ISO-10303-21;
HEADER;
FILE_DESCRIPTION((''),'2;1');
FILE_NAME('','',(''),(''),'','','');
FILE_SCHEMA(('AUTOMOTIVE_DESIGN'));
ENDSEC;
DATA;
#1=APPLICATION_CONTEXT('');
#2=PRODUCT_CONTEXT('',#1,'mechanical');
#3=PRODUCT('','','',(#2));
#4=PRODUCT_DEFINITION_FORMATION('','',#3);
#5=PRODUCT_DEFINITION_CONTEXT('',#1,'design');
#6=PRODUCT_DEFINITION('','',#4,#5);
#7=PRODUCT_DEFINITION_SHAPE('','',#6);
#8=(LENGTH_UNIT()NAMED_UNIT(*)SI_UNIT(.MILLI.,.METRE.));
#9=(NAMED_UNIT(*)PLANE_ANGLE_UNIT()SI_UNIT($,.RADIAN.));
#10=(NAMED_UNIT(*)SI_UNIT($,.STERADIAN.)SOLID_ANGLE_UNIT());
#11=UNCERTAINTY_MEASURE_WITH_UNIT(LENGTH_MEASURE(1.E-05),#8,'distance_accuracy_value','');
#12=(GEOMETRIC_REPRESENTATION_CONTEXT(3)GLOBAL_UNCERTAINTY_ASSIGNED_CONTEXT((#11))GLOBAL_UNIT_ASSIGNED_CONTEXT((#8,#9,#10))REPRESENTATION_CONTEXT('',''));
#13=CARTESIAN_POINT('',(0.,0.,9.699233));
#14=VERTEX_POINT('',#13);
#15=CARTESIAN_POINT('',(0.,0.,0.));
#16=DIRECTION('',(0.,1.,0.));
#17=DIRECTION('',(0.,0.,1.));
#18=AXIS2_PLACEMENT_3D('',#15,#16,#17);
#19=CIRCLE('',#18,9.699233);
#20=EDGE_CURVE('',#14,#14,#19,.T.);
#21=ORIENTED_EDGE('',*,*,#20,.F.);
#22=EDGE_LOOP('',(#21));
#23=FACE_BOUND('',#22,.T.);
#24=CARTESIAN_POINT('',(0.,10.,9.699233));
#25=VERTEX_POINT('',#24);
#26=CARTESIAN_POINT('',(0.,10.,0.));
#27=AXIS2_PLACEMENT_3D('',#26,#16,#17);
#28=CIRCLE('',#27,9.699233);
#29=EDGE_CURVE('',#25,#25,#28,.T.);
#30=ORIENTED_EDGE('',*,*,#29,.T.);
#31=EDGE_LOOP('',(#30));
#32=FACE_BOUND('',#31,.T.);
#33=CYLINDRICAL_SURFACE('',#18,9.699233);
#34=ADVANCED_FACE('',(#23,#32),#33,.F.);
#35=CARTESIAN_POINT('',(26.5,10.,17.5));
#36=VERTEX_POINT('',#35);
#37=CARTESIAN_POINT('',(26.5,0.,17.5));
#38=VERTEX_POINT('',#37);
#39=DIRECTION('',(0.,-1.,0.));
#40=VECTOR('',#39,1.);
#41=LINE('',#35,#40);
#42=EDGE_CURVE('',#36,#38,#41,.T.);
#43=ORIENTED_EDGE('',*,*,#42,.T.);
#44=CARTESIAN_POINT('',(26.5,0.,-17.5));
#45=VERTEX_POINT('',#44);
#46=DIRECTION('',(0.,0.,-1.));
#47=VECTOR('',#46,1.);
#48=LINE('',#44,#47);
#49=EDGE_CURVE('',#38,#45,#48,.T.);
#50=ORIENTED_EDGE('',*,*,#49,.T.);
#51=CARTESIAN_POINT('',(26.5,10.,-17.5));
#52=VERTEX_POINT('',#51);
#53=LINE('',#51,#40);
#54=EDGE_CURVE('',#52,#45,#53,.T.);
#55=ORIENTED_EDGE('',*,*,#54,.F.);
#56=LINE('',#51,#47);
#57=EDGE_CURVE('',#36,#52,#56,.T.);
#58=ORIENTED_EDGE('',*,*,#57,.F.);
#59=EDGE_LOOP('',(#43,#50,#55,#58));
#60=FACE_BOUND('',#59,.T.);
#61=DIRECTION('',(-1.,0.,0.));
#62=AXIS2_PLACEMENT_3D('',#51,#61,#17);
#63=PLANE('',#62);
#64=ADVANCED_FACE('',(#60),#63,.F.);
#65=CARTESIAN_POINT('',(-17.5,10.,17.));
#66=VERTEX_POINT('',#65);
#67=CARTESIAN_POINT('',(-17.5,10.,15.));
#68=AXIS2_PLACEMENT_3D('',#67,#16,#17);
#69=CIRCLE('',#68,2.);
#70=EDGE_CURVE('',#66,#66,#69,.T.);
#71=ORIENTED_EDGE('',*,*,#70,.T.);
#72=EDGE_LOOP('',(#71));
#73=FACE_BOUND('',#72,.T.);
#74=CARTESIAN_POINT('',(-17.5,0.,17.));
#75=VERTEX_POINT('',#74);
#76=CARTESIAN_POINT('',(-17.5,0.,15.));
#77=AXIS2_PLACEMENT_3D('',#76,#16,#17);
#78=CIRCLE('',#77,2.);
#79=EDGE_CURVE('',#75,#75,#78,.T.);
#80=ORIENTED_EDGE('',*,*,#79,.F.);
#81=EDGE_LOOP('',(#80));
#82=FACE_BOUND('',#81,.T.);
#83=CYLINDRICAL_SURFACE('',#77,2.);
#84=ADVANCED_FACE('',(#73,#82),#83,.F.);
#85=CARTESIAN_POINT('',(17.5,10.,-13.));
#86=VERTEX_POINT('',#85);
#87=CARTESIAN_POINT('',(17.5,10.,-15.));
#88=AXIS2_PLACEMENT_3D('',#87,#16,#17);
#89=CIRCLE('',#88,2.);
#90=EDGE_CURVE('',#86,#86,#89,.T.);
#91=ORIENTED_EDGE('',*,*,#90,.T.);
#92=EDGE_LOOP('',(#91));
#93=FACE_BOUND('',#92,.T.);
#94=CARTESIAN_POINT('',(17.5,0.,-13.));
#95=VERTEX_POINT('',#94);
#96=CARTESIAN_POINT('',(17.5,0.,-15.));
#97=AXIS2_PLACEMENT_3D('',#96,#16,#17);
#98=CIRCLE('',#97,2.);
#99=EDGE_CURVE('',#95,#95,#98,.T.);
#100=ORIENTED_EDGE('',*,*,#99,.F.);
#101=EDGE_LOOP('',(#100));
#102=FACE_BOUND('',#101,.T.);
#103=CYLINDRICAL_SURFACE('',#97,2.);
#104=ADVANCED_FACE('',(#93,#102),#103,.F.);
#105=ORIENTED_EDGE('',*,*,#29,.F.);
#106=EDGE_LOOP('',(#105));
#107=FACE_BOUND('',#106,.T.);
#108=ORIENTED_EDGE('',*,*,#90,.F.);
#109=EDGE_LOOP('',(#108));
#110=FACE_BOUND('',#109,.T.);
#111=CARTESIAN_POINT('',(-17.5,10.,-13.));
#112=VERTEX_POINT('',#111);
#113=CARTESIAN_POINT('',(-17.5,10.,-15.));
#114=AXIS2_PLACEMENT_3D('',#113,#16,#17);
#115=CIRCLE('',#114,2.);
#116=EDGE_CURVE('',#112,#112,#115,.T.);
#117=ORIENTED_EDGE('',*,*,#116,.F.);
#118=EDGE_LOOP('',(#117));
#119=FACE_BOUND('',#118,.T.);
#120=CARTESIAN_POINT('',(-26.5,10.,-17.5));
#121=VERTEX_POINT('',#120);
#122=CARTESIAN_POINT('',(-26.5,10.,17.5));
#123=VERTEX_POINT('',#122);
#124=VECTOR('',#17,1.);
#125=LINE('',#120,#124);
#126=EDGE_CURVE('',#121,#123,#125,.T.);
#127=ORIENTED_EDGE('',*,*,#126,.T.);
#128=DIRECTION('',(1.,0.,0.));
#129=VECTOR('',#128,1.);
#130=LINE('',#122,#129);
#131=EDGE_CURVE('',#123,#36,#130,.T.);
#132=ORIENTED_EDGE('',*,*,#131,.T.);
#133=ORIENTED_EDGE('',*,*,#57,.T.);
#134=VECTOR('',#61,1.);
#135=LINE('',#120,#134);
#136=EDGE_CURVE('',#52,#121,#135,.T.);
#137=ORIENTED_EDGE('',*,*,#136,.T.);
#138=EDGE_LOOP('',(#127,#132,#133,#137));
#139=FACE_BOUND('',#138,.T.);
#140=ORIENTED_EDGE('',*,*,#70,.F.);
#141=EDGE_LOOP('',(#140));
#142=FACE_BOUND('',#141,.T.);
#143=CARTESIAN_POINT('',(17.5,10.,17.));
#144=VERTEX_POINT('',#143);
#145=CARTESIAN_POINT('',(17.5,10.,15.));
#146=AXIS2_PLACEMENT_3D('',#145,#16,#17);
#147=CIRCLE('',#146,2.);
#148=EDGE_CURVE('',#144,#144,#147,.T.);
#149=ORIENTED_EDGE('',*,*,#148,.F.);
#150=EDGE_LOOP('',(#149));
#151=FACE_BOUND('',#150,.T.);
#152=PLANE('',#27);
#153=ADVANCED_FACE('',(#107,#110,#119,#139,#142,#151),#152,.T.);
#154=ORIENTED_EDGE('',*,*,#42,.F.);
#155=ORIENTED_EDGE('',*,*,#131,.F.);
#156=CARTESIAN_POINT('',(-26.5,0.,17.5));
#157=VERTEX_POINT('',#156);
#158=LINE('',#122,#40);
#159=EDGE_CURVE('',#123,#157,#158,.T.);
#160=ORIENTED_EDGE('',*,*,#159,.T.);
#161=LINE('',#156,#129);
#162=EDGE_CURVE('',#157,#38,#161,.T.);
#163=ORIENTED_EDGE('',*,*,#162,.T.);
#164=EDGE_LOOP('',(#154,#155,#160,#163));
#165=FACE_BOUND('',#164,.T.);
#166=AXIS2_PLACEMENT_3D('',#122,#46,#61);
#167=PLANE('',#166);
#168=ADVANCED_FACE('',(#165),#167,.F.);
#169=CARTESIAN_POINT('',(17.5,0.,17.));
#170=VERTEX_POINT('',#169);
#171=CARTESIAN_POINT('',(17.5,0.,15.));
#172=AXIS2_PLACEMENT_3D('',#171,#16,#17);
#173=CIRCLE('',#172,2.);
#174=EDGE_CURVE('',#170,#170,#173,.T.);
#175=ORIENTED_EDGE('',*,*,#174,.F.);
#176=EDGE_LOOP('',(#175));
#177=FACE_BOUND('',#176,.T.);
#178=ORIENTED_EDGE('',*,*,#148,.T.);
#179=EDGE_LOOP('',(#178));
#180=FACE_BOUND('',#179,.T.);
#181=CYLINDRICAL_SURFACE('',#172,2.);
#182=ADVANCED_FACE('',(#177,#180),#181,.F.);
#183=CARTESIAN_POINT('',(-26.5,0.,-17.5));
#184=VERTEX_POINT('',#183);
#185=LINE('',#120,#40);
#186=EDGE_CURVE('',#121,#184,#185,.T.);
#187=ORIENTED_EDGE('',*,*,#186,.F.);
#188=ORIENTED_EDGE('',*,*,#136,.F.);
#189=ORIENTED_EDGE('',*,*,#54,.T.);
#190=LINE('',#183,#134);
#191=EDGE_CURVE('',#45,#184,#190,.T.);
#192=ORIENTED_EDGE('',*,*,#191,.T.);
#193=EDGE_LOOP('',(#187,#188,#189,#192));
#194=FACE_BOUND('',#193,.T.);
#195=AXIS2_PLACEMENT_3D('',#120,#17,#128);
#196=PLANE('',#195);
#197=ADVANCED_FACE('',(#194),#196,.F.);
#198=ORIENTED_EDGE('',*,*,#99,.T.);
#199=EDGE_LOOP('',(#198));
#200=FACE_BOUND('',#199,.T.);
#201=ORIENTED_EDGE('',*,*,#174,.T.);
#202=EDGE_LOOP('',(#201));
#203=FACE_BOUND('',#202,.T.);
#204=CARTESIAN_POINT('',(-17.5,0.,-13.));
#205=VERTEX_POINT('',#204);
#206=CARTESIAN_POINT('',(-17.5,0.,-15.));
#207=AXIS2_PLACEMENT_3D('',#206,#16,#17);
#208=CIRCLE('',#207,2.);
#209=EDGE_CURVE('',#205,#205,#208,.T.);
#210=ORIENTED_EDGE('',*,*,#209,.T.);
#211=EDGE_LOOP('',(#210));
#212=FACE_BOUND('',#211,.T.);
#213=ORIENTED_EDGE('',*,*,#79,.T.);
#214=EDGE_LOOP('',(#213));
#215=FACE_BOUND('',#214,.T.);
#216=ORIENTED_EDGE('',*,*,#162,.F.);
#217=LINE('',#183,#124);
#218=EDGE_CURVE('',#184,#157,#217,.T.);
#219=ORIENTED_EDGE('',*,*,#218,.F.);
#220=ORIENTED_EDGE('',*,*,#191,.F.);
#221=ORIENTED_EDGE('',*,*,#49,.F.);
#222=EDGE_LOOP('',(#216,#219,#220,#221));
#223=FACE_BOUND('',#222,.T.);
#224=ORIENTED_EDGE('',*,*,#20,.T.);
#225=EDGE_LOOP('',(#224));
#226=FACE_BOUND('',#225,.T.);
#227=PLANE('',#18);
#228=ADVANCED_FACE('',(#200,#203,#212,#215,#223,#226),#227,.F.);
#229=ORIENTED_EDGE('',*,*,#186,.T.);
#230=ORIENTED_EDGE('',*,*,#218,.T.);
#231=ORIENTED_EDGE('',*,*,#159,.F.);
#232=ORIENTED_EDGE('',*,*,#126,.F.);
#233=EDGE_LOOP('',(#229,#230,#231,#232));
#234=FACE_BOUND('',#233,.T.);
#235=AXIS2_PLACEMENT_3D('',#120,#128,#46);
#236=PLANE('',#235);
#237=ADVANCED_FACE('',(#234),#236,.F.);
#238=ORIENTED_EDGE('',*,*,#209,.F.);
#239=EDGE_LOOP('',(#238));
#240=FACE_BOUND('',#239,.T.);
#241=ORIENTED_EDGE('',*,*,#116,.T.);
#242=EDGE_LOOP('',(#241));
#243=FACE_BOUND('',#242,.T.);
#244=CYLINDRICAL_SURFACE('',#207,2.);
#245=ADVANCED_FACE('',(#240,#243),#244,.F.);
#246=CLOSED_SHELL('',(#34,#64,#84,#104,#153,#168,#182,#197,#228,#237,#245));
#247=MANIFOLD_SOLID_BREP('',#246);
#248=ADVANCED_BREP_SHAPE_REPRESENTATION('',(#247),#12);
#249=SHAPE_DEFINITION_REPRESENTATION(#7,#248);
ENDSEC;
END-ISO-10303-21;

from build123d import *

# Parameters (mm, degrees)
SKETCH1_W           = 53
SKETCH1_H           = 35
BOSS_EXTRUDE1_DEPTH = 10
SKETCH2_R           = 2
SKETCH2_R_2         = 9.699233374
CUT_EXTRUDE1_DEPTH  = 11


with BuildPart() as part:
    # Sketch1 → Boss-Extrude1 (new body)
    with BuildSketch(Plane(origin=(0, 0, 0), x_dir=(1, 0, 0), z_dir=(0, 1, 0))):
        Rectangle(SKETCH1_W, SKETCH1_H)
    extrude(amount=BOSS_EXTRUDE1_DEPTH)

    # Sketch2 → Cut-Extrude1 (cut, through all)
    with BuildSketch(Plane(origin=(0, 10, 0), x_dir=(1, 0, 0), z_dir=(0, 1, 0))):
        with Locations((-17.5, 15)):
            Circle(SKETCH2_R)
        with Locations((17.5, 15)):
            Circle(SKETCH2_R)
        with Locations((-17.5, -15)):
            Circle(SKETCH2_R)
        with Locations((17.5, -15)):
            Circle(SKETCH2_R)
        Circle(SKETCH2_R_2)
    extrude(amount=-CUT_EXTRUDE1_DEPTH, mode=Mode.SUBTRACT)


solid = part.part
